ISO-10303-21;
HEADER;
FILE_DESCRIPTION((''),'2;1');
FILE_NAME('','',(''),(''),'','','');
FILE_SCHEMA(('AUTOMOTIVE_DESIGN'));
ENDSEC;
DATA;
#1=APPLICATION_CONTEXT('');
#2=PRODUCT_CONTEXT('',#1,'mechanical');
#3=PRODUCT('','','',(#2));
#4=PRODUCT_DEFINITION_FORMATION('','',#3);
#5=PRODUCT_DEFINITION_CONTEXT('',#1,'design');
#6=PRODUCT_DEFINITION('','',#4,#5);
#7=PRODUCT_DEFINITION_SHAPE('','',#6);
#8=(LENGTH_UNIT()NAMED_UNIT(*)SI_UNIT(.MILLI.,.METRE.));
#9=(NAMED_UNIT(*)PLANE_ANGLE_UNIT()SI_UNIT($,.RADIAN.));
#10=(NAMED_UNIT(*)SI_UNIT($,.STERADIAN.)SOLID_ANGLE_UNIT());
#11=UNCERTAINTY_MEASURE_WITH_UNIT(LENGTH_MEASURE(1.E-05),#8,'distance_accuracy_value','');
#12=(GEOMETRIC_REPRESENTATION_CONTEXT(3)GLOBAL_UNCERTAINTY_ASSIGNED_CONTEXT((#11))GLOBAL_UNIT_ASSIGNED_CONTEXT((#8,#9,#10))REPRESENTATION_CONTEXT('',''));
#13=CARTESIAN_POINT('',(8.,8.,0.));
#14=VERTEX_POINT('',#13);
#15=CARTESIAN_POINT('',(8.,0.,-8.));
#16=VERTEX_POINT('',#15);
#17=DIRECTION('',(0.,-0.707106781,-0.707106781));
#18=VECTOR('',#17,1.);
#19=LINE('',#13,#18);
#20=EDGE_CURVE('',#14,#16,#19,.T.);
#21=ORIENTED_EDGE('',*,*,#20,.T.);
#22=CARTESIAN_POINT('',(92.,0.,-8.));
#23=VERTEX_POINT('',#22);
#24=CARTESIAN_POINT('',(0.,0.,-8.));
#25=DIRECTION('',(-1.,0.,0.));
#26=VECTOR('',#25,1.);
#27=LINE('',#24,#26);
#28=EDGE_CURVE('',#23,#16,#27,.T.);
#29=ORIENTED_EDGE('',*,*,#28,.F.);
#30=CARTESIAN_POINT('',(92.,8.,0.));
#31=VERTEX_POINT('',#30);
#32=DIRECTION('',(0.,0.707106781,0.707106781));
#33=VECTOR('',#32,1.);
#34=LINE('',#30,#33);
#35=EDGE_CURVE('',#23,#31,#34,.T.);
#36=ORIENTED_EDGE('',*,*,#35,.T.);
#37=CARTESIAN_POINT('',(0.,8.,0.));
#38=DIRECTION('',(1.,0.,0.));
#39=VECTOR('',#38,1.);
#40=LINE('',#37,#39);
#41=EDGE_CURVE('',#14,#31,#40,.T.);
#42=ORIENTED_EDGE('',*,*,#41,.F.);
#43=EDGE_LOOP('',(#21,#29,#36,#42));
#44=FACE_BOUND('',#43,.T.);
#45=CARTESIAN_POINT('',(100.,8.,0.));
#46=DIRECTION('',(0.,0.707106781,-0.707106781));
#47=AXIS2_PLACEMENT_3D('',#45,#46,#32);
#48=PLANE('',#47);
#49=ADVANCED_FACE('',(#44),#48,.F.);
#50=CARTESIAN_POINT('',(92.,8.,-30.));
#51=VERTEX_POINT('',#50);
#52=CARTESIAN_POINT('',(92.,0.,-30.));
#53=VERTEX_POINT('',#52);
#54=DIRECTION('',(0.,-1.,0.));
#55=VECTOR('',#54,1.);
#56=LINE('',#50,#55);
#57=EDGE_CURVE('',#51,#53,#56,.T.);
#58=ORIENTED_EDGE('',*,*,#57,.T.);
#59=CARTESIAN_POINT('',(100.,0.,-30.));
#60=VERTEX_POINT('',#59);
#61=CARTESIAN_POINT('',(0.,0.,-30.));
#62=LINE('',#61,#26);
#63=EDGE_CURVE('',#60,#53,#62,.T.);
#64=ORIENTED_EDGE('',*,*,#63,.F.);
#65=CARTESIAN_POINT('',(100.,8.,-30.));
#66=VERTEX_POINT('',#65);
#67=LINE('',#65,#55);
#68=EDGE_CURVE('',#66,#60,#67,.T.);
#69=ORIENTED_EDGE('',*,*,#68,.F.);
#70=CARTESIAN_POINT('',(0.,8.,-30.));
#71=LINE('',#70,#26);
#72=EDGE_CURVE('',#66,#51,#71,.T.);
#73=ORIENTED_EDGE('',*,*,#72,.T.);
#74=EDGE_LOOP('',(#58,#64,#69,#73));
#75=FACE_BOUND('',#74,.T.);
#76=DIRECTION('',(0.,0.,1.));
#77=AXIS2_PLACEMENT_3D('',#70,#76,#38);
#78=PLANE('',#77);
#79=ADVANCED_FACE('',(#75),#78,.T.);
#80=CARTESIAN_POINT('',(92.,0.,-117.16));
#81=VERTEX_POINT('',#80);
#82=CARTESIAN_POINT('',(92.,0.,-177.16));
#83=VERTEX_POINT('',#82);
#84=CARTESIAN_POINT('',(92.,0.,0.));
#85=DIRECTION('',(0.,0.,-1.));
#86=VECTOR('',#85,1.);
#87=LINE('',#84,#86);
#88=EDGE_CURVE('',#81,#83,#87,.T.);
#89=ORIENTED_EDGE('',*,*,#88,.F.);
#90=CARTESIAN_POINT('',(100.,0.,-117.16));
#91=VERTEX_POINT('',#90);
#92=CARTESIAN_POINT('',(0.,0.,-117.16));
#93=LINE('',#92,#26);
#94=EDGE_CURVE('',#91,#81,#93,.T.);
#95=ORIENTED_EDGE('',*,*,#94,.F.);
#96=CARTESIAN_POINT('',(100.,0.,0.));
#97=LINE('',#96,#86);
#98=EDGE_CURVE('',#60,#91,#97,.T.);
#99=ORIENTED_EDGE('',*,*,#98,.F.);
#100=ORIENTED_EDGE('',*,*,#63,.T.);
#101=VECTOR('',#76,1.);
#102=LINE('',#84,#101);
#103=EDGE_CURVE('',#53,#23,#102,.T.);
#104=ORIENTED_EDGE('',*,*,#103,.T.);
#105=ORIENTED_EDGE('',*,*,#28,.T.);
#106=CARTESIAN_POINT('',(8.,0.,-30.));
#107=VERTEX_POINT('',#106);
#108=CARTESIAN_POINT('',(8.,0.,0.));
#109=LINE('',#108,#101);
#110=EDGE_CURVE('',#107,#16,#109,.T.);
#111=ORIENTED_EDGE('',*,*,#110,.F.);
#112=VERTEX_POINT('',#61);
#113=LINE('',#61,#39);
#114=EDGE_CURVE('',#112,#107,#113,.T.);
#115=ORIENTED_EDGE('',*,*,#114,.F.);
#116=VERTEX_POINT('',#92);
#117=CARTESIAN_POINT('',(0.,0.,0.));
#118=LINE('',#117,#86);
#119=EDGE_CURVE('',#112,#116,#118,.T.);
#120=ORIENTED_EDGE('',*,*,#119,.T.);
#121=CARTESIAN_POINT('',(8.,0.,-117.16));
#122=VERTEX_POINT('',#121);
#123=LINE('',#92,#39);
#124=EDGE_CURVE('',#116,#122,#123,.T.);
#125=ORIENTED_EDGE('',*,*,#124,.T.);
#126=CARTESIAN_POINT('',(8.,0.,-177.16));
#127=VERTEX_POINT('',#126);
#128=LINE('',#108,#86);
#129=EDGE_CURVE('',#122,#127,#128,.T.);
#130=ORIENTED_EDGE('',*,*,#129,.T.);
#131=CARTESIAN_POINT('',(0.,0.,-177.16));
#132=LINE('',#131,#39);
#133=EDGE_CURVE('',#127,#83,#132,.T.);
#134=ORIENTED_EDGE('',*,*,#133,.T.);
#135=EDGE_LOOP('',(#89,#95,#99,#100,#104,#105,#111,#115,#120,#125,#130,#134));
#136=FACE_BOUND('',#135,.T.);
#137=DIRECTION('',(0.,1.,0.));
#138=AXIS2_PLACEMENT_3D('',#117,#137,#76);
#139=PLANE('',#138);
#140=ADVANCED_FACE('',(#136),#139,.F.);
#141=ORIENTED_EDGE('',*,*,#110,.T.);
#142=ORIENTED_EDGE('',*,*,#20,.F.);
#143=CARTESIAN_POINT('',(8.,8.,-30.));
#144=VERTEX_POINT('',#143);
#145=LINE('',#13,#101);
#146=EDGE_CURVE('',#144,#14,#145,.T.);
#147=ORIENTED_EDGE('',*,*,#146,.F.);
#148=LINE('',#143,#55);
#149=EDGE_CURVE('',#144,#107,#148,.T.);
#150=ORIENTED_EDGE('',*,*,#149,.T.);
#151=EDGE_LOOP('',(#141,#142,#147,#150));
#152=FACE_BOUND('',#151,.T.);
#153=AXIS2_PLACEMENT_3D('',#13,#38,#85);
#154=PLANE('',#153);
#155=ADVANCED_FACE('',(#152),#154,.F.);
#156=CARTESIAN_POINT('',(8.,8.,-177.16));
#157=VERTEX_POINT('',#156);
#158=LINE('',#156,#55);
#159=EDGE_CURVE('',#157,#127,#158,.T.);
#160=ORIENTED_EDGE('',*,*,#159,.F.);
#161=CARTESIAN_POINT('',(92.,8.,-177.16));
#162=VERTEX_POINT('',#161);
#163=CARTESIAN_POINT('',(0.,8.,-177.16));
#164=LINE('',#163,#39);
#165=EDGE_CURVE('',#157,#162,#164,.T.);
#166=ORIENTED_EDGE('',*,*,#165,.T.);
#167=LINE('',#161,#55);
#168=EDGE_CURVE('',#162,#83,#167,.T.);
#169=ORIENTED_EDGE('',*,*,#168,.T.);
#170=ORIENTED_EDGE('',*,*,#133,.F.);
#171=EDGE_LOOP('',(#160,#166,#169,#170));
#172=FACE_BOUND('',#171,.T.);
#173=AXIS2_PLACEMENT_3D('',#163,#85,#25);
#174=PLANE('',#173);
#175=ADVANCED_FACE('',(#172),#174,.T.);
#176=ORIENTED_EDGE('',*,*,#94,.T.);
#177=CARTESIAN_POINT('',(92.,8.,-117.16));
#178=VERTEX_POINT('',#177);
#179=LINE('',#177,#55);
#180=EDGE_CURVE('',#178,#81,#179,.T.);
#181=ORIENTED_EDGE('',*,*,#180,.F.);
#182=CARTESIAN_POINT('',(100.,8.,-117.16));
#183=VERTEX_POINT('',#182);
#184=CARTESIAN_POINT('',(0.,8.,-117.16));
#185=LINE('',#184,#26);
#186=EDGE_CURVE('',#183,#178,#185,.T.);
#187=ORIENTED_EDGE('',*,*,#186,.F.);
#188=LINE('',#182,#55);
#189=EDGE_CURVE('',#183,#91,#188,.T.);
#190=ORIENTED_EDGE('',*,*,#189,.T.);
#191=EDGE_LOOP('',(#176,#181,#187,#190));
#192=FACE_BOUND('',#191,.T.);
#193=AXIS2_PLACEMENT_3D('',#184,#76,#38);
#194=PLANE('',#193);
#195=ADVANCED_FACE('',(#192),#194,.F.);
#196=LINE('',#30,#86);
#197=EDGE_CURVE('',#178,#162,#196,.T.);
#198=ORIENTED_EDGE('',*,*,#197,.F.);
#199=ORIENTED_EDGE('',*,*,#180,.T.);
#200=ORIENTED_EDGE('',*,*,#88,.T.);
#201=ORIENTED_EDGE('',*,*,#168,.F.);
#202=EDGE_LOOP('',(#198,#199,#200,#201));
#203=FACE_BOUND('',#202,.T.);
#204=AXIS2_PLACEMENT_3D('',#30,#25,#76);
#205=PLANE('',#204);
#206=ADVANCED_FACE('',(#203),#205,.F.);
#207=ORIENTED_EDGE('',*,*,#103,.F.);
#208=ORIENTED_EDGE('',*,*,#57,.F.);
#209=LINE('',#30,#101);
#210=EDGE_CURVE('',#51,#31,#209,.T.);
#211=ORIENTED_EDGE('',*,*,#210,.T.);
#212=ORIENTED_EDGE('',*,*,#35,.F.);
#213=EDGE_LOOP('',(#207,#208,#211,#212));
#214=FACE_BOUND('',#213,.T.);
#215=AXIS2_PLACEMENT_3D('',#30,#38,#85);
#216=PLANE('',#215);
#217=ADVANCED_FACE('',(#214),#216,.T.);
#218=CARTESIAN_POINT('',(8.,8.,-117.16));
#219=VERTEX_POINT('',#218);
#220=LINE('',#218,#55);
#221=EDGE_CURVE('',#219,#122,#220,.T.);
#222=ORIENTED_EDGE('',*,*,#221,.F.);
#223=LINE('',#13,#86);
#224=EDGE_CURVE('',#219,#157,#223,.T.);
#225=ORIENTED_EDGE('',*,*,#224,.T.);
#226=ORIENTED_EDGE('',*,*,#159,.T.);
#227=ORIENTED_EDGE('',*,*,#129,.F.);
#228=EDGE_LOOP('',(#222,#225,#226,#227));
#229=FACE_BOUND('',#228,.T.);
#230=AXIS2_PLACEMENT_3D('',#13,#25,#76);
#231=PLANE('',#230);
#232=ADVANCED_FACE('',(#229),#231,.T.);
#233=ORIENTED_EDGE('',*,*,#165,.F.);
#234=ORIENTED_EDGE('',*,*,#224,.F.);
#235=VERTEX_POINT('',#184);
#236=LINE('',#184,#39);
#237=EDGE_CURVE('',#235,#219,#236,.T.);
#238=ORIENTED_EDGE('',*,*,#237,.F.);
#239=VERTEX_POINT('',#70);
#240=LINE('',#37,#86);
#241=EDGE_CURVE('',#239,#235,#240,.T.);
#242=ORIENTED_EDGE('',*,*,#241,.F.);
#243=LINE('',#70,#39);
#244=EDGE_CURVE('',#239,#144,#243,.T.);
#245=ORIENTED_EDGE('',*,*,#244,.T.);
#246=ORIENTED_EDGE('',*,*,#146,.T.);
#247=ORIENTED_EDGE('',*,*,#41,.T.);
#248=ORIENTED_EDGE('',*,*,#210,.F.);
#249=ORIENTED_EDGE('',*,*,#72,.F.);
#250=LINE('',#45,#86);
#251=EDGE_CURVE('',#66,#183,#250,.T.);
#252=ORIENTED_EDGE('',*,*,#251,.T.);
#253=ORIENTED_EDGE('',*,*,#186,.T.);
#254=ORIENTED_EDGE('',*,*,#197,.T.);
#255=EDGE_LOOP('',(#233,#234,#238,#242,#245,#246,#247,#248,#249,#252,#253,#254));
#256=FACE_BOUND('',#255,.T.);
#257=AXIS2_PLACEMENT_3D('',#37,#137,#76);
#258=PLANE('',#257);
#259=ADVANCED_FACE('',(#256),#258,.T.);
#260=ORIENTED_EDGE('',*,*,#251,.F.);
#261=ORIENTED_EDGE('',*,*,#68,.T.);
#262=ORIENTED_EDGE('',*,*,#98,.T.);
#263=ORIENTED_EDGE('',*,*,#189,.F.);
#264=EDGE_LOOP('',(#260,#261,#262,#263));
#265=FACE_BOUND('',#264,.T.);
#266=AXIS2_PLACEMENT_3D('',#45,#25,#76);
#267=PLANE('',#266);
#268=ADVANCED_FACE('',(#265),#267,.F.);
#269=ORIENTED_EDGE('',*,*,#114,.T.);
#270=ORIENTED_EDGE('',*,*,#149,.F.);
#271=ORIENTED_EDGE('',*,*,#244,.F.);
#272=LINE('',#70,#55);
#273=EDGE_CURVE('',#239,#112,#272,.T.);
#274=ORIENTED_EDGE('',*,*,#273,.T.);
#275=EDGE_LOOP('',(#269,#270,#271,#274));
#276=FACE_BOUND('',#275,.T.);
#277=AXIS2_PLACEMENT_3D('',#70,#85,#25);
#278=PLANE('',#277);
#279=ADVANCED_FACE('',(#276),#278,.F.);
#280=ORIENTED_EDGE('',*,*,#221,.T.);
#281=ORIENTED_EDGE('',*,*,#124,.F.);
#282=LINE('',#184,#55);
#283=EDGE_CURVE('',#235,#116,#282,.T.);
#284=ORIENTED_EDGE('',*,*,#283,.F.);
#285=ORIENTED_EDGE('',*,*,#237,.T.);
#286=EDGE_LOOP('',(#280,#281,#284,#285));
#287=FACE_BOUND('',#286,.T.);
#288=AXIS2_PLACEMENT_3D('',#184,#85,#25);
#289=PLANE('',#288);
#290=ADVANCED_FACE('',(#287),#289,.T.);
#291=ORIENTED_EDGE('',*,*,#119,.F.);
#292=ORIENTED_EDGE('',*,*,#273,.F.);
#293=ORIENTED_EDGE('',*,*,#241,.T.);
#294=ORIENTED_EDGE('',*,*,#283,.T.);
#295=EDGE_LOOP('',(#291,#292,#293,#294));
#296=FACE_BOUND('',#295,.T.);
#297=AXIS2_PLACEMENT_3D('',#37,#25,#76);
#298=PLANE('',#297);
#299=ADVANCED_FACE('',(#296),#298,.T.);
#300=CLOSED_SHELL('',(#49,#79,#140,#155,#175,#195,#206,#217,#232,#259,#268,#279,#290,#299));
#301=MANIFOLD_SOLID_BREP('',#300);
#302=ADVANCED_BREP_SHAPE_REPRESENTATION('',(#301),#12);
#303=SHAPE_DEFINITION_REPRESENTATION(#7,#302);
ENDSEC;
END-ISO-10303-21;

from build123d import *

# Parameters (mm, degrees)
BOSS_EXTRUDE1_DEPTH = 8
CUT_EXTRUDE1_DEPTH  = 200.784047411


with BuildPart() as part:
    # Sketch1 → Boss-Extrude1 (new body)
    with BuildSketch(Plane(origin=(0, 0, 0), x_dir=(1, 0, 0), z_dir=(0, 1, 0))):
        Polygon((8, 117.16), (0, 117.16), (0, 30), (8, 30), (8, 0), (92, 0), (92, 30), (100, 30), (100, 117.16), (92, 117.16), (92, 177.16), (8, 177.16), align=None)
    extrude(amount=BOSS_EXTRUDE1_DEPTH)

    # Sketch2 → Cut-Extrude1 (cut, through all)
    with BuildSketch(Plane.ZY.offset(-8)):
        Polygon((0, 8), (-8, 0), (0, 0), align=None)
    extrude(amount=-CUT_EXTRUDE1_DEPTH, mode=Mode.SUBTRACT)


solid = part.part
